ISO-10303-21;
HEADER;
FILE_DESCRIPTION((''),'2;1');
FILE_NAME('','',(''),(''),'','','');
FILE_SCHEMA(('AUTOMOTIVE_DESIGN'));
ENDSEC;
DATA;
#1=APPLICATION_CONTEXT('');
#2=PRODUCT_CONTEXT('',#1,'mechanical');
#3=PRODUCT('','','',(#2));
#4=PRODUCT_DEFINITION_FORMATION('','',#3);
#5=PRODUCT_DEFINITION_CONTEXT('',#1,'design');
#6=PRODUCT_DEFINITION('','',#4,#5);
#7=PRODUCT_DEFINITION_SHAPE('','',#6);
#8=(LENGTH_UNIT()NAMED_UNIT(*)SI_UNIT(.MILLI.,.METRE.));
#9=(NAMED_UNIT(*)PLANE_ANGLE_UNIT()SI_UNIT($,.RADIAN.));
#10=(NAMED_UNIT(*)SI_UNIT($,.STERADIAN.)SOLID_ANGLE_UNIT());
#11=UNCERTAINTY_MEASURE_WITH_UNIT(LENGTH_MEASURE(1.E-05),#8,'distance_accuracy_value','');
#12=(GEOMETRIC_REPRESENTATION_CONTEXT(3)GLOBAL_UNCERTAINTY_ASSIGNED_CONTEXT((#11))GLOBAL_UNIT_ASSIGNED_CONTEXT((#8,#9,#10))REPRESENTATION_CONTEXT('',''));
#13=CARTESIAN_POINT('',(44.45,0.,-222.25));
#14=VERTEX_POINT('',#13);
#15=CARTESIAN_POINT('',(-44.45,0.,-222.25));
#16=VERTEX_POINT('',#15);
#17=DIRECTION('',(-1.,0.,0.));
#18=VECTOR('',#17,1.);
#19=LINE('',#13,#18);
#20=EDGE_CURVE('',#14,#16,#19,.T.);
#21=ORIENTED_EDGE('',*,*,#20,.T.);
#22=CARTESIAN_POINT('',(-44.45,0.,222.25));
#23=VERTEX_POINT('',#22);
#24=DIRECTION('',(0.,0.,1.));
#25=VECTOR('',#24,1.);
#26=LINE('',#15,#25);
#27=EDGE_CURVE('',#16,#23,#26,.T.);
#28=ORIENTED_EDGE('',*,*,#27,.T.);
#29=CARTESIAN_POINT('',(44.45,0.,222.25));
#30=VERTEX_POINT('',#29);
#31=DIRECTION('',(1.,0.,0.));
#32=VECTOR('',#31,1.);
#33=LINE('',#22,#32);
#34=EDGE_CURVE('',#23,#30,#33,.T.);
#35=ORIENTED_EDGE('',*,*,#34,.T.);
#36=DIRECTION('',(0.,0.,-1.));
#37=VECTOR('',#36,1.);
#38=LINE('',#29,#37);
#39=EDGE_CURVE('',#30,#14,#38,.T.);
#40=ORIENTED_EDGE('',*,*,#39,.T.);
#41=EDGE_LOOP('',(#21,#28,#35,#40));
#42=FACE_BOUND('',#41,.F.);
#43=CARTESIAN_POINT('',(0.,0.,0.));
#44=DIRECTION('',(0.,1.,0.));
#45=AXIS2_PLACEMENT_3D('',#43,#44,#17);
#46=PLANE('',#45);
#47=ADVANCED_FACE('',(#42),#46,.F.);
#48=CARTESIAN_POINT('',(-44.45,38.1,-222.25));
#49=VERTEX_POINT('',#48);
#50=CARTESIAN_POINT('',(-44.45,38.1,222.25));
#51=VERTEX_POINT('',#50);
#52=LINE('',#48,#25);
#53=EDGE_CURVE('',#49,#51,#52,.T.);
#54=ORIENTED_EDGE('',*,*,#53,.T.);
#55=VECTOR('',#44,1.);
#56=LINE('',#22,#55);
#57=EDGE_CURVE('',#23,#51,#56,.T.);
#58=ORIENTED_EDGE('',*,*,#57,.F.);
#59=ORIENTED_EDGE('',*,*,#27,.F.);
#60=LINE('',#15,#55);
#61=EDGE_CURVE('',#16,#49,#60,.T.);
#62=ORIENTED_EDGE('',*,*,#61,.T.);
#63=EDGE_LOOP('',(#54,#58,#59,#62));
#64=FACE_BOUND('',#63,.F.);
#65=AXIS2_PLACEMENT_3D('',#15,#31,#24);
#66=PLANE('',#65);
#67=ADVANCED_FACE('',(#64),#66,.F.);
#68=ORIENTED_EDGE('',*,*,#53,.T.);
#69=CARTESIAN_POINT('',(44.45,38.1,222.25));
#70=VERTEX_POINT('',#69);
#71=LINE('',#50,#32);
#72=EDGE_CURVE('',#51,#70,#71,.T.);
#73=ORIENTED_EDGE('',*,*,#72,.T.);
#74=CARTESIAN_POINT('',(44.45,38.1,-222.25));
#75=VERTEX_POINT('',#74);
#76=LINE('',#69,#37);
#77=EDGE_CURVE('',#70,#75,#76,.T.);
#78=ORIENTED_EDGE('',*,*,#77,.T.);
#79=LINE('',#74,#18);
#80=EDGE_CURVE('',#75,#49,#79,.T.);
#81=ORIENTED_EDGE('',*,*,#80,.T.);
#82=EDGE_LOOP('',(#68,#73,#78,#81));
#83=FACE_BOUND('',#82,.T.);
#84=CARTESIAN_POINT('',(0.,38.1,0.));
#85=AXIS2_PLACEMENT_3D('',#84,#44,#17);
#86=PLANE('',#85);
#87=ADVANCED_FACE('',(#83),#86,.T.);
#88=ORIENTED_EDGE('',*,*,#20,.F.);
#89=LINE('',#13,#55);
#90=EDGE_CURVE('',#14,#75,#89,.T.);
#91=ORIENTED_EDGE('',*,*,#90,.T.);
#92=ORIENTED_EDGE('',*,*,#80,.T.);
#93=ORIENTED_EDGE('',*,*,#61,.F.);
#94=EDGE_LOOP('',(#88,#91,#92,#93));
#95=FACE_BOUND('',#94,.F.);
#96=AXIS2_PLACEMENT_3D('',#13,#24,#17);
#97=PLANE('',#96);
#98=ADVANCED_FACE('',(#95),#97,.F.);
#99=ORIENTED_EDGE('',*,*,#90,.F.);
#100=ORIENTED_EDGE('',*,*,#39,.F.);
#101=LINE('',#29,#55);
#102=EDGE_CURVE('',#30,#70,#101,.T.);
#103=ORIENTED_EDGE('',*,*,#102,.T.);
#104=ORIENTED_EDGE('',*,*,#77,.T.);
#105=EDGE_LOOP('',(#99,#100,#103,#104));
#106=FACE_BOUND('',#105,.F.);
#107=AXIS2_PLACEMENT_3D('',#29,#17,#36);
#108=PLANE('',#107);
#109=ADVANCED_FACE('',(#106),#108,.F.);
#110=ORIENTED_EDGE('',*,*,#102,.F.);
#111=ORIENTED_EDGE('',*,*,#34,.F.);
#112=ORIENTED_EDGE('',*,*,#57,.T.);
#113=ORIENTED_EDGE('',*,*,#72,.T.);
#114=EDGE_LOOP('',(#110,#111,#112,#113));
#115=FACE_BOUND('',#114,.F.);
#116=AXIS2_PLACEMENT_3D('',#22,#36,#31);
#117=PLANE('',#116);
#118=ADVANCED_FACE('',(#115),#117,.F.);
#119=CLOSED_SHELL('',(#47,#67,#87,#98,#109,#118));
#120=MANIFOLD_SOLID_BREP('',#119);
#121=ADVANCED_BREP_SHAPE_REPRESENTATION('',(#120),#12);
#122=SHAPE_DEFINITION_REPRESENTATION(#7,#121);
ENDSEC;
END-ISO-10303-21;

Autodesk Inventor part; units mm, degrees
ref_plane "YZ Plane" through (0, 0, 0) normal (1, 0, 0) x (0, 1, 0)
ref_plane "XZ Plane" through (0, 0, 0) normal (0, 1, 0) x (-1, 0, 0)
ref_plane "XY Plane" through (0, 0, 0) normal (0, 0, 1) x (1, 0, 0)
sketch "Sketch1" plane through (0, 0, 0) normal (0, 1, 0) x (-1, 0, 0)
  line L0 (-44.45, 222.25) -> (-44.45, -222.25)
  line L1 (-44.45, -222.25) -> (44.45, -222.25)
  line L2 (44.45, -222.25) -> (44.45, 222.25)
  line L3 (44.45, 222.25) -> (-44.45, 222.25)
  line L4 (-44.45, 222.25) -> (44.45, -222.25) construction
  line L5 (-44.45, -222.25) -> (44.45, 222.25) construction
  point P0 (0, 0)
  dimension "d0" = 88.9
  dimension "length" = 444.5
extrude "Extrusion1" add sketch "Sketch1" along normal blind 38.1
properties part number "2x4 17.5 Inch"
